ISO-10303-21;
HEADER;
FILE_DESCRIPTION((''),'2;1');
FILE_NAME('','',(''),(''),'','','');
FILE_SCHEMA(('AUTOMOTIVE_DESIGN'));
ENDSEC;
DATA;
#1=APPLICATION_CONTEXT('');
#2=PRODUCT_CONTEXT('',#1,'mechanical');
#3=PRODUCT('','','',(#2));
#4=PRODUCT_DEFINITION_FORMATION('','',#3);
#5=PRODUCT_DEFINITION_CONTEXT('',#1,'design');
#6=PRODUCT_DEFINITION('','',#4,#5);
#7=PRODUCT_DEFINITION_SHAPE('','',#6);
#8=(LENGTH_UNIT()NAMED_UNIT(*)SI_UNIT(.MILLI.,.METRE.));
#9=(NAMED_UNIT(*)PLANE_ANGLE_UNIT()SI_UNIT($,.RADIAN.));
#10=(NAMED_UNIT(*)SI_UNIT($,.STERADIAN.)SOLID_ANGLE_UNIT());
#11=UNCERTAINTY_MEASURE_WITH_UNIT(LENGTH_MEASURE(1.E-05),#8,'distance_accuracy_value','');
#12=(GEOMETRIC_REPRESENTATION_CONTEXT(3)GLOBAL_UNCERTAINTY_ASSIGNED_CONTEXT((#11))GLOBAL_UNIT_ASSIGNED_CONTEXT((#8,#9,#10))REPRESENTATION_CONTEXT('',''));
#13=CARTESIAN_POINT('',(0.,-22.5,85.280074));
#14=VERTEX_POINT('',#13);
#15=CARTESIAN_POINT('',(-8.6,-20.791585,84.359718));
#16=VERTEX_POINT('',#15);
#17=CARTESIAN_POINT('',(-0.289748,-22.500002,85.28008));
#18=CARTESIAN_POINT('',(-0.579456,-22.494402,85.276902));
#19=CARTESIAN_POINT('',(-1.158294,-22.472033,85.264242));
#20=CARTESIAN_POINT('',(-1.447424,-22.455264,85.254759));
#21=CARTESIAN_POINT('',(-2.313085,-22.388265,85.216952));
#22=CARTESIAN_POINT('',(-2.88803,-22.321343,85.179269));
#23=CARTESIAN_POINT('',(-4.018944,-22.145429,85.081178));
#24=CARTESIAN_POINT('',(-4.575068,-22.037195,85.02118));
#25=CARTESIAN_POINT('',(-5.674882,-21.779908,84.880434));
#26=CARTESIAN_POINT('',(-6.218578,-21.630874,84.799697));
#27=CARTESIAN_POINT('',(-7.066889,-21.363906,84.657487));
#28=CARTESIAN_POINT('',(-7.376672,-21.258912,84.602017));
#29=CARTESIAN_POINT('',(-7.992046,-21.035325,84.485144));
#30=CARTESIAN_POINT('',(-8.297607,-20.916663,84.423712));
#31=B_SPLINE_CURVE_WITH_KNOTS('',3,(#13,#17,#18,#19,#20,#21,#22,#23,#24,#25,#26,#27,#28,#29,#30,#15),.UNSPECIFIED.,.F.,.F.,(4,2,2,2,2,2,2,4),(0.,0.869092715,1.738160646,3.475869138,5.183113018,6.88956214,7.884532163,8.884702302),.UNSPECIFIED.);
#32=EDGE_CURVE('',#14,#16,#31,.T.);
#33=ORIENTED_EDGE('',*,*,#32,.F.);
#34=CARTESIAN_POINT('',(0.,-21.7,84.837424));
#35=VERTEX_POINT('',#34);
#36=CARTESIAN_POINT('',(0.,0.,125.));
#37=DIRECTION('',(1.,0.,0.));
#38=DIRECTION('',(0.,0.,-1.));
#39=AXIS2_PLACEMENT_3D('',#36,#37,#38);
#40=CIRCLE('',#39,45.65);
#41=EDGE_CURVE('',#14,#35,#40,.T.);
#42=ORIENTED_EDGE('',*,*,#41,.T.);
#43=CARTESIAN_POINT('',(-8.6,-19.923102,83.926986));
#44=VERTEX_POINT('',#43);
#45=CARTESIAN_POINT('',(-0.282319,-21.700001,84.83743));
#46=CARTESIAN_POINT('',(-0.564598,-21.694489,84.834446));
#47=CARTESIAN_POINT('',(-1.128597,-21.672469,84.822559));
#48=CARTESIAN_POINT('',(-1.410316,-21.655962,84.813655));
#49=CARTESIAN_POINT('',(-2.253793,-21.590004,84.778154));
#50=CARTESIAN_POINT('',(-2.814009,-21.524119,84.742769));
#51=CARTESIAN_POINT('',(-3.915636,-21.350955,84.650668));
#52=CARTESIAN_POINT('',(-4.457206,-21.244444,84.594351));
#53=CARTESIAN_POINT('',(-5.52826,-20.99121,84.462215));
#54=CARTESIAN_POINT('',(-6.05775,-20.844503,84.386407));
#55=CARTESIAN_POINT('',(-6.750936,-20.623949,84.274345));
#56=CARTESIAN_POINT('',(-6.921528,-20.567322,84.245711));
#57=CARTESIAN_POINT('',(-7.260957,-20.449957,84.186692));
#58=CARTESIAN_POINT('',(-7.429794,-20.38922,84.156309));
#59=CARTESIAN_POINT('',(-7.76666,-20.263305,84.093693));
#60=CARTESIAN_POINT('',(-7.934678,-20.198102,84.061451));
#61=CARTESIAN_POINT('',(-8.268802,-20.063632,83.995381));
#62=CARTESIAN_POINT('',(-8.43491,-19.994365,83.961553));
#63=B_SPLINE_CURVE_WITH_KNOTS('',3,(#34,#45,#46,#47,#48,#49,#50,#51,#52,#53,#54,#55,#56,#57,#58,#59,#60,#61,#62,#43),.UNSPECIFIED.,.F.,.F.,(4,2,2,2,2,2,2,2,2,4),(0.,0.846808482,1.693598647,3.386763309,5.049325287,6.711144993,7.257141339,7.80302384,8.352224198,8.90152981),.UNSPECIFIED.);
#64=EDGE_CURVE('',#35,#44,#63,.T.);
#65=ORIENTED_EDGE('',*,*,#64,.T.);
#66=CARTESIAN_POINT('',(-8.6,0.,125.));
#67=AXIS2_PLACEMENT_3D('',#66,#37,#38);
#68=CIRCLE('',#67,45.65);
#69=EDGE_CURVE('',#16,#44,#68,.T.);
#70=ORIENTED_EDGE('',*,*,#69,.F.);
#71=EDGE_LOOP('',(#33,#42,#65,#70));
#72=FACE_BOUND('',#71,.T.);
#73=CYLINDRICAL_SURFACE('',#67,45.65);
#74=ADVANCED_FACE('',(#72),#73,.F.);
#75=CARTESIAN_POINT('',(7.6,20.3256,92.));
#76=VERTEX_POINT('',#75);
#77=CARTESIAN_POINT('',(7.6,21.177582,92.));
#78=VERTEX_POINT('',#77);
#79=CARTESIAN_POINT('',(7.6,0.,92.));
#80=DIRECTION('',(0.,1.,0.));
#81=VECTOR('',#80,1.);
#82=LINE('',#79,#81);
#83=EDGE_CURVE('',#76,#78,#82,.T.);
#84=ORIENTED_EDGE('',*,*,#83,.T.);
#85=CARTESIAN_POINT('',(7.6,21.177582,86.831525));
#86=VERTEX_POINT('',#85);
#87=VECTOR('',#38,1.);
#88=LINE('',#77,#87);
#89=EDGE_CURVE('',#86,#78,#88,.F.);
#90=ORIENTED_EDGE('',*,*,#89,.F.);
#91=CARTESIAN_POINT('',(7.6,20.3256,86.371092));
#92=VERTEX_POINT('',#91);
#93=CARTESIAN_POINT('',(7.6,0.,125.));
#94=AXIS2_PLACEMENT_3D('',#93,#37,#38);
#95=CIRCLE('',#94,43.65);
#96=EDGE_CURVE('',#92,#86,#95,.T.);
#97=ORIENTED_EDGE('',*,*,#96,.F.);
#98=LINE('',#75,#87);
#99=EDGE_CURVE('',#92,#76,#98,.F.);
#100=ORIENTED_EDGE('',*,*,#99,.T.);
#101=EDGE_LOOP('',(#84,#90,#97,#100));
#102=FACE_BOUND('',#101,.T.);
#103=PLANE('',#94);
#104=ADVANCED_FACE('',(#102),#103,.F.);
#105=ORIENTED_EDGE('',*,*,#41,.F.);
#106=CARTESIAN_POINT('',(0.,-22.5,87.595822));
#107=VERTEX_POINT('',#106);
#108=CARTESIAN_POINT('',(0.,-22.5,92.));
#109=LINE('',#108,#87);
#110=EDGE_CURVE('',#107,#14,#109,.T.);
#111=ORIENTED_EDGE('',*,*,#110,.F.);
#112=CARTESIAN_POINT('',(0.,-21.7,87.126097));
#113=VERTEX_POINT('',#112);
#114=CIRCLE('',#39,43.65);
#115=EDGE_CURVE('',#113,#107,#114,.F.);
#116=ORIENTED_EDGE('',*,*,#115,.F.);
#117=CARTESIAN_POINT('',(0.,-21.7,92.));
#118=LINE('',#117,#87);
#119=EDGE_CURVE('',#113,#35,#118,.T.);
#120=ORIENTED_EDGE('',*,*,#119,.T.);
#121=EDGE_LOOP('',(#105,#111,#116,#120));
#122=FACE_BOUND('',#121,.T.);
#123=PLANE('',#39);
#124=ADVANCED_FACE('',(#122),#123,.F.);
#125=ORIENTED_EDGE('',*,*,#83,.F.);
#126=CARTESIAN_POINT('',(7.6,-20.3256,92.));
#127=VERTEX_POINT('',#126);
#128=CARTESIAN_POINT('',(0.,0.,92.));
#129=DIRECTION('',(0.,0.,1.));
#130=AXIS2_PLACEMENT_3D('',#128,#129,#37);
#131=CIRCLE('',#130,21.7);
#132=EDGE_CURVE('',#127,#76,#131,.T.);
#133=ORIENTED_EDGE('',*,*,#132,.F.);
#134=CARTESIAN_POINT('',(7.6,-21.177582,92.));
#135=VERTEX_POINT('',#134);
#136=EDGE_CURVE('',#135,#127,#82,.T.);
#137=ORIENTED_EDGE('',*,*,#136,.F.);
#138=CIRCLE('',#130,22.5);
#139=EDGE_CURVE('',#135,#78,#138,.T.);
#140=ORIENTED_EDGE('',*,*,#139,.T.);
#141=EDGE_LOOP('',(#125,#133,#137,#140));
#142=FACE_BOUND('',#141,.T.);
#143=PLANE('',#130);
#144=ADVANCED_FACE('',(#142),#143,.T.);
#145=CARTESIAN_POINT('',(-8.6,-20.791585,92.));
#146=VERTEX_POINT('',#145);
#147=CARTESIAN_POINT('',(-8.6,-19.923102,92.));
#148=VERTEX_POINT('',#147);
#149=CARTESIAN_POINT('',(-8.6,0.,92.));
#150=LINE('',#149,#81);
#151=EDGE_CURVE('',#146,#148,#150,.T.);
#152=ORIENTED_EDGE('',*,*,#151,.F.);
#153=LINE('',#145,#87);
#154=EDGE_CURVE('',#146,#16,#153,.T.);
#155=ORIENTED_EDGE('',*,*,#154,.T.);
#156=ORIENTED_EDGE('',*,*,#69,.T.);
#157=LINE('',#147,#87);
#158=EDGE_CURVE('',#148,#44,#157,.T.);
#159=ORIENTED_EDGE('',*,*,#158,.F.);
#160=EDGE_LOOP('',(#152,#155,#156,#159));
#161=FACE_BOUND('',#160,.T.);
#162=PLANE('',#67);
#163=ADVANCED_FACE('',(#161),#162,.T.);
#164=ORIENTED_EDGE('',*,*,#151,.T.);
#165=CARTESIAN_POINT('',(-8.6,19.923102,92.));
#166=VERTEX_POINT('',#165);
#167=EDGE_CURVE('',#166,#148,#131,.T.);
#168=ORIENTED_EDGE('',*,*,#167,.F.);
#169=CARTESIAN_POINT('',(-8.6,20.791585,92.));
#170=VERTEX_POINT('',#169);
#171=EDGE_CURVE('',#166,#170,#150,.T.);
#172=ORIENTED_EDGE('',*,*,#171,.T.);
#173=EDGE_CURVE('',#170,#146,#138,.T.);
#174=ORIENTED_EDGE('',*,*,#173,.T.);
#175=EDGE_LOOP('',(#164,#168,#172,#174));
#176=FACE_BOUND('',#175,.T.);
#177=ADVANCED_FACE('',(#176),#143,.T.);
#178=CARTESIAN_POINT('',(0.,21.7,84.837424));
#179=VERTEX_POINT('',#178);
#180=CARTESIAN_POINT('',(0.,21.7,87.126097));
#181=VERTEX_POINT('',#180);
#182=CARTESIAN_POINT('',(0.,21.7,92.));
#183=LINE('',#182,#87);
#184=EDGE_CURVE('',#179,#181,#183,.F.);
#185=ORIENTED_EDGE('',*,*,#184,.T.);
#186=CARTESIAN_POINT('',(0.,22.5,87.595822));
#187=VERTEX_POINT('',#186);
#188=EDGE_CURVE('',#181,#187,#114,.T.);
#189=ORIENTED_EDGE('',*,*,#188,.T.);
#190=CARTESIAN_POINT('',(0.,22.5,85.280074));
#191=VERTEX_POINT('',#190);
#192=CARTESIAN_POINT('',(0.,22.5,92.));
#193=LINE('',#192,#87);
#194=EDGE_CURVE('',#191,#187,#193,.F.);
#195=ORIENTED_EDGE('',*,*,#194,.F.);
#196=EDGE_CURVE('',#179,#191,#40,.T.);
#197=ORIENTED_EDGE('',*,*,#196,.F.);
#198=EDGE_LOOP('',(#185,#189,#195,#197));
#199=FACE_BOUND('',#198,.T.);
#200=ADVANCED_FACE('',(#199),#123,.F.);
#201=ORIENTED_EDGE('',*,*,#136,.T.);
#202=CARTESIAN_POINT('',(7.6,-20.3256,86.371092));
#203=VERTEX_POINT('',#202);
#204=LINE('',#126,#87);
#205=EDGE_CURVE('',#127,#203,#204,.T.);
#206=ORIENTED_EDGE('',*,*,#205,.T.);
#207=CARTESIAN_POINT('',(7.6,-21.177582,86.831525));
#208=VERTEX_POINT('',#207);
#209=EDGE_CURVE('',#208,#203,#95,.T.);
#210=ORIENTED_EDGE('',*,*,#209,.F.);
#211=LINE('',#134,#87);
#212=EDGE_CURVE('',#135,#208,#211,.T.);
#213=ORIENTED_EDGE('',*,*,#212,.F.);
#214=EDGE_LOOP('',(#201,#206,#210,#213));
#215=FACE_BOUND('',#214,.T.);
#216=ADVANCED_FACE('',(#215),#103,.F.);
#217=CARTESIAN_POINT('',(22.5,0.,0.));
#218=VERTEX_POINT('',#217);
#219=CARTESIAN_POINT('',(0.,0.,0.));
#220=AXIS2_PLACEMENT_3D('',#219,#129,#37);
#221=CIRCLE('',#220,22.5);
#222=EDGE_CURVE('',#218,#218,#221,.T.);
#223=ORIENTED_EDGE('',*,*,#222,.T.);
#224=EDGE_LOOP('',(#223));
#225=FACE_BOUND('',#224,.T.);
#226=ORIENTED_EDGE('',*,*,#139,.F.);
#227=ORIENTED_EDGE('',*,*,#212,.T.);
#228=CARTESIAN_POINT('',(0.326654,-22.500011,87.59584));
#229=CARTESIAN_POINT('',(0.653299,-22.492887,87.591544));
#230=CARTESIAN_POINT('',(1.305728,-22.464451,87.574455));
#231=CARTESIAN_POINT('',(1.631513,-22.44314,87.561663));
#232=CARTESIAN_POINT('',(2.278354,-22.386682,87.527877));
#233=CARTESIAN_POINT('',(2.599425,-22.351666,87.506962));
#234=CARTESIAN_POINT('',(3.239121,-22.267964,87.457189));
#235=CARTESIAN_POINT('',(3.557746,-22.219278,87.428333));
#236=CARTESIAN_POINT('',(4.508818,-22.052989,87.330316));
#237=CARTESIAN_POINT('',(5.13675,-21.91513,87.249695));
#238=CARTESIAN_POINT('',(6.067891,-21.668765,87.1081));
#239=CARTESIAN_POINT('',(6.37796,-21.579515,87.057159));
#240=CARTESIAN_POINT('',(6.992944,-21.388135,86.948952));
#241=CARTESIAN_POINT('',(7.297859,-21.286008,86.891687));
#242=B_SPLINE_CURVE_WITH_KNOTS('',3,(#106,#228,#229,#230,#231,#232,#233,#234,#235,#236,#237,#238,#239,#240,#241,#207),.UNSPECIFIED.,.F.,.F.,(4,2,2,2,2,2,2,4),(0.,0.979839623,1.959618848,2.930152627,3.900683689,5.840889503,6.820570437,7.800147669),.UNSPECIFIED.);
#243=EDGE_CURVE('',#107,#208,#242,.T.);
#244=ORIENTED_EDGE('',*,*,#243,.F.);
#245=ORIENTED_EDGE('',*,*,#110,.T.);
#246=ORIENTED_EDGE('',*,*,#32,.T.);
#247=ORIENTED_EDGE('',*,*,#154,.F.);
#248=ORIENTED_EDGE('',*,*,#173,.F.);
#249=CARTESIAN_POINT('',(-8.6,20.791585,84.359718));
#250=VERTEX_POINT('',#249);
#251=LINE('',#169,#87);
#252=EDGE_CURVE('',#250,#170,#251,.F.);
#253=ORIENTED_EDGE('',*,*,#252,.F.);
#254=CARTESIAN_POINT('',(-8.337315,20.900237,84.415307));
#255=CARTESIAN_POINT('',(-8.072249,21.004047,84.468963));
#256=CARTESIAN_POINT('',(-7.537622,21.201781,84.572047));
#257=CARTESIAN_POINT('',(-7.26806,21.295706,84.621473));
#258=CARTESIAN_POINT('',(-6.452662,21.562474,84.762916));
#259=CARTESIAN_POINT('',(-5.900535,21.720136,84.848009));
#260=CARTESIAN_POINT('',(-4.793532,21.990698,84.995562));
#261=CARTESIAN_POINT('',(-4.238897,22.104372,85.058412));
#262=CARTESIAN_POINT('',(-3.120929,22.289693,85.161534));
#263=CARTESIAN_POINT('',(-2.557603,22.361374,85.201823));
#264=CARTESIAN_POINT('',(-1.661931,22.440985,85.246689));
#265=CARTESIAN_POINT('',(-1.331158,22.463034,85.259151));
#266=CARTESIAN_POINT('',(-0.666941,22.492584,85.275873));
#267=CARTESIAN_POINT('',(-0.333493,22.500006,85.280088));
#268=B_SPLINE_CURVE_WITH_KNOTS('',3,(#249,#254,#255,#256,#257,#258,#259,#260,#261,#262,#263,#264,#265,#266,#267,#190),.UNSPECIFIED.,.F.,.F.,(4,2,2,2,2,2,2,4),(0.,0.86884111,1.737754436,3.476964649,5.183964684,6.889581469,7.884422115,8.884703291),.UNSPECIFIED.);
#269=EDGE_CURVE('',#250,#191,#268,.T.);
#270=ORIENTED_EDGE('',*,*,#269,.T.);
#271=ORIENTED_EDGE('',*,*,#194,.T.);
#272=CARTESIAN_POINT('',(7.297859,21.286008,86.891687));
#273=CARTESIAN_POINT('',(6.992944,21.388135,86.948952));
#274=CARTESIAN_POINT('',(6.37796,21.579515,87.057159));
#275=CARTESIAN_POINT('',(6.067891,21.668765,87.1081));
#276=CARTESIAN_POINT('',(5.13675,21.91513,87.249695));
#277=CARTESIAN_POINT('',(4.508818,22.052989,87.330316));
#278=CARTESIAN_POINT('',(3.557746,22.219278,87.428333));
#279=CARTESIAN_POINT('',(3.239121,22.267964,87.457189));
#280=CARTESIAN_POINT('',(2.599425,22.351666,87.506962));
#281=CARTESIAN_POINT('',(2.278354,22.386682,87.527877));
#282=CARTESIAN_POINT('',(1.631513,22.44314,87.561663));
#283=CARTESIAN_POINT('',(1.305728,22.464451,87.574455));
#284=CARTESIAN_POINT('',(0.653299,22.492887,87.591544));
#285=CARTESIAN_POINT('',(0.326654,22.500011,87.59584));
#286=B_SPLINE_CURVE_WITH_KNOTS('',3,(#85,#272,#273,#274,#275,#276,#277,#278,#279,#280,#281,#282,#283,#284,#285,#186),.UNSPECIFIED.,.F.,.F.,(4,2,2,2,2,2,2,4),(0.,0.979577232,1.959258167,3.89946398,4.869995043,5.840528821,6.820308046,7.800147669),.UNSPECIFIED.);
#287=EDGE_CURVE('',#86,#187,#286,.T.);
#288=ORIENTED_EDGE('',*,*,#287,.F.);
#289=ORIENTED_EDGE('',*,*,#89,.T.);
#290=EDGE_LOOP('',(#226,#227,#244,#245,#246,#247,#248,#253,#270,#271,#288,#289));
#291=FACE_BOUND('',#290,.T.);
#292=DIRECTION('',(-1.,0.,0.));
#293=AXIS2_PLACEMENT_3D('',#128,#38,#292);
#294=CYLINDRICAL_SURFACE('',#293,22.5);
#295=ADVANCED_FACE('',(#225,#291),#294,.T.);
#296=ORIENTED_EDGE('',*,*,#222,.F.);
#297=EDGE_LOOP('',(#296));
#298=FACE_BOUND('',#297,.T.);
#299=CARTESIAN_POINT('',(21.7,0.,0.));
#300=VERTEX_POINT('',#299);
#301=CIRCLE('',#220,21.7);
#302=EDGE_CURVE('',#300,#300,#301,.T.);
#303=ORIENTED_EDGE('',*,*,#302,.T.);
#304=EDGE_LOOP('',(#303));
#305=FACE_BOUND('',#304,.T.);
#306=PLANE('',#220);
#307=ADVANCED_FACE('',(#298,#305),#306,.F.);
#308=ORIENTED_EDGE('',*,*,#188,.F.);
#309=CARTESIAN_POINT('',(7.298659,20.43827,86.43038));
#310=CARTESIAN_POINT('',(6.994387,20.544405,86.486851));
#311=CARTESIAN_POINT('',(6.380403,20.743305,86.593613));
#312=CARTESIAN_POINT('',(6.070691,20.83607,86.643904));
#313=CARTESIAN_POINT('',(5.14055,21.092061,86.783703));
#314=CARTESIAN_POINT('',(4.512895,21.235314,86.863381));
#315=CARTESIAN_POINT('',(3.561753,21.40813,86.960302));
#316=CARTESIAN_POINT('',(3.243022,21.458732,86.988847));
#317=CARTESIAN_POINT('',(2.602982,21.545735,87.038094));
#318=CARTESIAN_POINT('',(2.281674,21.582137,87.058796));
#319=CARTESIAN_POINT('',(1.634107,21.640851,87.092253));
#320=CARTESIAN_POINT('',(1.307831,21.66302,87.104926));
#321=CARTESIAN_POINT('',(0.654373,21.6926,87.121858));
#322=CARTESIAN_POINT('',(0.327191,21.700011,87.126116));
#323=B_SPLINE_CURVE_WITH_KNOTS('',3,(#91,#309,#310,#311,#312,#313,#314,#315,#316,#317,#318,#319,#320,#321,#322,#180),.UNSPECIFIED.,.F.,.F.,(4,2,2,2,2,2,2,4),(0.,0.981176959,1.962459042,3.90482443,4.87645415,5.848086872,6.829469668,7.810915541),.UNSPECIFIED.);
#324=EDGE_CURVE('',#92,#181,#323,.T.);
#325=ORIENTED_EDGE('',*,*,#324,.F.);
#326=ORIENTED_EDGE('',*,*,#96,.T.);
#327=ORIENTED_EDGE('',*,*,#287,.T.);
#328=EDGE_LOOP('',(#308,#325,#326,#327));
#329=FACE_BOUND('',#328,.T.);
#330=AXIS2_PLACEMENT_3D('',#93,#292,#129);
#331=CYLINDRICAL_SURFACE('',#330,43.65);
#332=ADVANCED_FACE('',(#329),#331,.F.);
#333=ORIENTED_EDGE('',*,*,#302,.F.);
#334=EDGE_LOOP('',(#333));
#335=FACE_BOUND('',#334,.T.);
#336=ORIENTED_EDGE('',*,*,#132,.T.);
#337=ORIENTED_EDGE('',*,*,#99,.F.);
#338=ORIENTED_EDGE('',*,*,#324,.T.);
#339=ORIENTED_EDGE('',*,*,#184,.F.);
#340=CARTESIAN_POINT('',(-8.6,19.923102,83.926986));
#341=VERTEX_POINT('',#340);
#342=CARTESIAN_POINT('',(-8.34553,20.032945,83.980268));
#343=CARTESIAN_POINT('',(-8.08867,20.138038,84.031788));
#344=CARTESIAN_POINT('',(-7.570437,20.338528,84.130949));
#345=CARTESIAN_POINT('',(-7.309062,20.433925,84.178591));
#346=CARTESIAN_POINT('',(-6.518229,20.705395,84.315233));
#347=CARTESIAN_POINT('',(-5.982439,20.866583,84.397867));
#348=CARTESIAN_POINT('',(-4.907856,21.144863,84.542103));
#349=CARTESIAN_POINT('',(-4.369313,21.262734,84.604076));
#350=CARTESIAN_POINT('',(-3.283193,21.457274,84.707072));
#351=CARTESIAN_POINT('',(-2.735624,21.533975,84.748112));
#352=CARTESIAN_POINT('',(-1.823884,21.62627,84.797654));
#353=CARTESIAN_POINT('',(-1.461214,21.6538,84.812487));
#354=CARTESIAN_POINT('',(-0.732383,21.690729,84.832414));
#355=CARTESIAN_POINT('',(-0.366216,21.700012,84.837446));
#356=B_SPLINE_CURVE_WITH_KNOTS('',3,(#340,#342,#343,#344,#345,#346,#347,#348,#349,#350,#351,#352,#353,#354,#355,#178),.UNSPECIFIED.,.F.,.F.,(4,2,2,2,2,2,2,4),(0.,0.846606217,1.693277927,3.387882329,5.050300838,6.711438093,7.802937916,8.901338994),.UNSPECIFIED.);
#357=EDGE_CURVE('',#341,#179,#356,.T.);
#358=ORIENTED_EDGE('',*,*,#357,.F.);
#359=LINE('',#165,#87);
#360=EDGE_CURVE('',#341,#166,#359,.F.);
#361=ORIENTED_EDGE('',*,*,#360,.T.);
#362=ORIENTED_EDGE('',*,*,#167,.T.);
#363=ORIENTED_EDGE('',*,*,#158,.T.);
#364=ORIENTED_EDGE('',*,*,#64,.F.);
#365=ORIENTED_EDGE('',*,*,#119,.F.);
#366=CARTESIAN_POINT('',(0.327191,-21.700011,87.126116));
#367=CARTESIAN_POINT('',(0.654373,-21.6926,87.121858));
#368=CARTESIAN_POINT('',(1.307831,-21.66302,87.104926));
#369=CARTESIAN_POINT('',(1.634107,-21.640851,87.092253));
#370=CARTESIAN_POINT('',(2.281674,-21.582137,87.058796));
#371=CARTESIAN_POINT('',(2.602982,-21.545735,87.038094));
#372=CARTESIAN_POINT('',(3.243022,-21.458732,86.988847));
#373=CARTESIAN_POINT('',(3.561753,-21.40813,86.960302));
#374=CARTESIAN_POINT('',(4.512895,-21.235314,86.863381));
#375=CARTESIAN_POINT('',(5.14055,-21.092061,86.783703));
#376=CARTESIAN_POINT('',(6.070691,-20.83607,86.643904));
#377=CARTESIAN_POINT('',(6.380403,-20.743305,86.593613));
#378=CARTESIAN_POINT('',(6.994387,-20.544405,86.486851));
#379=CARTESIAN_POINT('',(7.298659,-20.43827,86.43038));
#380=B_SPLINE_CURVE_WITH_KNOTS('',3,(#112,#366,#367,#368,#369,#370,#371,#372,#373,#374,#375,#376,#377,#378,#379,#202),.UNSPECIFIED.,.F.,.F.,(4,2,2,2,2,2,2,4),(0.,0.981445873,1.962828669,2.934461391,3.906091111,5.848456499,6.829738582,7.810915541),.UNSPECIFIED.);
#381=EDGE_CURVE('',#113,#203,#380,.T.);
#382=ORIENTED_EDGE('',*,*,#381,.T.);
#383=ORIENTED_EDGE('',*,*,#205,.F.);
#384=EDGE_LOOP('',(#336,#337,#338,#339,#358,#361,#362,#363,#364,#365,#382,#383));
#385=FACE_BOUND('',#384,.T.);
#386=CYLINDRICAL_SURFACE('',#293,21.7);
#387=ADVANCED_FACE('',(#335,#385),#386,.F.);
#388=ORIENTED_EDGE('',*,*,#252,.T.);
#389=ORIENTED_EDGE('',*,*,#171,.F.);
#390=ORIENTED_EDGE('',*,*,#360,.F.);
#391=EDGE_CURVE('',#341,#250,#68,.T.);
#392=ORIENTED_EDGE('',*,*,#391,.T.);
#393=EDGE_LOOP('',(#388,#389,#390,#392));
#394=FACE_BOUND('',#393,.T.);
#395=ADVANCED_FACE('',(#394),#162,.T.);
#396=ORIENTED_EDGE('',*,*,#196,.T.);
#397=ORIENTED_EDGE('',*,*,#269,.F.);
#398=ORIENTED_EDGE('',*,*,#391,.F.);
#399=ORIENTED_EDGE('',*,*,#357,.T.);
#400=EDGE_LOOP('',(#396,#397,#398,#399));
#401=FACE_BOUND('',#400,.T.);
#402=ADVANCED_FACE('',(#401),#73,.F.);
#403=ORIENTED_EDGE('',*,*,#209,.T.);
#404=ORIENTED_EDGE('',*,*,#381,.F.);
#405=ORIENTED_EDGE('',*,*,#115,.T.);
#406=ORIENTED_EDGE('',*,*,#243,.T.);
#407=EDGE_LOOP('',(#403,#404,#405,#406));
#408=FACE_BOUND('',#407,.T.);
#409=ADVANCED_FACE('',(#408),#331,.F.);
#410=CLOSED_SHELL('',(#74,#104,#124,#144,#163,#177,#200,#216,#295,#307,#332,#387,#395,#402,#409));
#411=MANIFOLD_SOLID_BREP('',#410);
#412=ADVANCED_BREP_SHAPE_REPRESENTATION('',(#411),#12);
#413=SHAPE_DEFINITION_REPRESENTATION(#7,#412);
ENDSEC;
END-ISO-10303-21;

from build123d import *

# Parameters (mm, degrees)
SKETCH1_R           = 22.499999958
SKETCH1_R_2         = 21.699999958
BOSS_EXTRUDE1_DEPTH = 92
SKETCH3_R           = 45.65
CUT_EXTRUDE1_DEPTH  = 8.6
SKETCH3_3_R         = 43.65
CUT_EXTRUDE2_DEPTH  = 7.6


with BuildPart() as part:
    # Sketch1 → Boss-Extrude1 (new body)
    with BuildSketch(Plane(origin=(0, 0, 0), x_dir=(0, 1, 0), z_dir=(0, 0, 1))):
        with Locations(Location((0, 0, 0), (0, 0, 270))):
            Circle(SKETCH1_R)
        with Locations(Location((0, 0, 0), (0, 0, 270))):
            Circle(SKETCH1_R_2, mode=Mode.SUBTRACT)
    extrude(amount=BOSS_EXTRUDE1_DEPTH)

    # Sketch3 → Cut-Extrude1 (cut)
    with BuildSketch(Plane.YZ):
        with Locations((0, 125)):
            Circle(SKETCH3_R)
    extrude(amount=-CUT_EXTRUDE1_DEPTH, mode=Mode.SUBTRACT)

    # Sketch3<3> → Cut-Extrude2 (cut)
    with BuildSketch(Plane.YZ):
        with Locations((0, 125)):
            Circle(SKETCH3_3_R)
    extrude(amount=CUT_EXTRUDE2_DEPTH, mode=Mode.SUBTRACT)


solid = part.part
